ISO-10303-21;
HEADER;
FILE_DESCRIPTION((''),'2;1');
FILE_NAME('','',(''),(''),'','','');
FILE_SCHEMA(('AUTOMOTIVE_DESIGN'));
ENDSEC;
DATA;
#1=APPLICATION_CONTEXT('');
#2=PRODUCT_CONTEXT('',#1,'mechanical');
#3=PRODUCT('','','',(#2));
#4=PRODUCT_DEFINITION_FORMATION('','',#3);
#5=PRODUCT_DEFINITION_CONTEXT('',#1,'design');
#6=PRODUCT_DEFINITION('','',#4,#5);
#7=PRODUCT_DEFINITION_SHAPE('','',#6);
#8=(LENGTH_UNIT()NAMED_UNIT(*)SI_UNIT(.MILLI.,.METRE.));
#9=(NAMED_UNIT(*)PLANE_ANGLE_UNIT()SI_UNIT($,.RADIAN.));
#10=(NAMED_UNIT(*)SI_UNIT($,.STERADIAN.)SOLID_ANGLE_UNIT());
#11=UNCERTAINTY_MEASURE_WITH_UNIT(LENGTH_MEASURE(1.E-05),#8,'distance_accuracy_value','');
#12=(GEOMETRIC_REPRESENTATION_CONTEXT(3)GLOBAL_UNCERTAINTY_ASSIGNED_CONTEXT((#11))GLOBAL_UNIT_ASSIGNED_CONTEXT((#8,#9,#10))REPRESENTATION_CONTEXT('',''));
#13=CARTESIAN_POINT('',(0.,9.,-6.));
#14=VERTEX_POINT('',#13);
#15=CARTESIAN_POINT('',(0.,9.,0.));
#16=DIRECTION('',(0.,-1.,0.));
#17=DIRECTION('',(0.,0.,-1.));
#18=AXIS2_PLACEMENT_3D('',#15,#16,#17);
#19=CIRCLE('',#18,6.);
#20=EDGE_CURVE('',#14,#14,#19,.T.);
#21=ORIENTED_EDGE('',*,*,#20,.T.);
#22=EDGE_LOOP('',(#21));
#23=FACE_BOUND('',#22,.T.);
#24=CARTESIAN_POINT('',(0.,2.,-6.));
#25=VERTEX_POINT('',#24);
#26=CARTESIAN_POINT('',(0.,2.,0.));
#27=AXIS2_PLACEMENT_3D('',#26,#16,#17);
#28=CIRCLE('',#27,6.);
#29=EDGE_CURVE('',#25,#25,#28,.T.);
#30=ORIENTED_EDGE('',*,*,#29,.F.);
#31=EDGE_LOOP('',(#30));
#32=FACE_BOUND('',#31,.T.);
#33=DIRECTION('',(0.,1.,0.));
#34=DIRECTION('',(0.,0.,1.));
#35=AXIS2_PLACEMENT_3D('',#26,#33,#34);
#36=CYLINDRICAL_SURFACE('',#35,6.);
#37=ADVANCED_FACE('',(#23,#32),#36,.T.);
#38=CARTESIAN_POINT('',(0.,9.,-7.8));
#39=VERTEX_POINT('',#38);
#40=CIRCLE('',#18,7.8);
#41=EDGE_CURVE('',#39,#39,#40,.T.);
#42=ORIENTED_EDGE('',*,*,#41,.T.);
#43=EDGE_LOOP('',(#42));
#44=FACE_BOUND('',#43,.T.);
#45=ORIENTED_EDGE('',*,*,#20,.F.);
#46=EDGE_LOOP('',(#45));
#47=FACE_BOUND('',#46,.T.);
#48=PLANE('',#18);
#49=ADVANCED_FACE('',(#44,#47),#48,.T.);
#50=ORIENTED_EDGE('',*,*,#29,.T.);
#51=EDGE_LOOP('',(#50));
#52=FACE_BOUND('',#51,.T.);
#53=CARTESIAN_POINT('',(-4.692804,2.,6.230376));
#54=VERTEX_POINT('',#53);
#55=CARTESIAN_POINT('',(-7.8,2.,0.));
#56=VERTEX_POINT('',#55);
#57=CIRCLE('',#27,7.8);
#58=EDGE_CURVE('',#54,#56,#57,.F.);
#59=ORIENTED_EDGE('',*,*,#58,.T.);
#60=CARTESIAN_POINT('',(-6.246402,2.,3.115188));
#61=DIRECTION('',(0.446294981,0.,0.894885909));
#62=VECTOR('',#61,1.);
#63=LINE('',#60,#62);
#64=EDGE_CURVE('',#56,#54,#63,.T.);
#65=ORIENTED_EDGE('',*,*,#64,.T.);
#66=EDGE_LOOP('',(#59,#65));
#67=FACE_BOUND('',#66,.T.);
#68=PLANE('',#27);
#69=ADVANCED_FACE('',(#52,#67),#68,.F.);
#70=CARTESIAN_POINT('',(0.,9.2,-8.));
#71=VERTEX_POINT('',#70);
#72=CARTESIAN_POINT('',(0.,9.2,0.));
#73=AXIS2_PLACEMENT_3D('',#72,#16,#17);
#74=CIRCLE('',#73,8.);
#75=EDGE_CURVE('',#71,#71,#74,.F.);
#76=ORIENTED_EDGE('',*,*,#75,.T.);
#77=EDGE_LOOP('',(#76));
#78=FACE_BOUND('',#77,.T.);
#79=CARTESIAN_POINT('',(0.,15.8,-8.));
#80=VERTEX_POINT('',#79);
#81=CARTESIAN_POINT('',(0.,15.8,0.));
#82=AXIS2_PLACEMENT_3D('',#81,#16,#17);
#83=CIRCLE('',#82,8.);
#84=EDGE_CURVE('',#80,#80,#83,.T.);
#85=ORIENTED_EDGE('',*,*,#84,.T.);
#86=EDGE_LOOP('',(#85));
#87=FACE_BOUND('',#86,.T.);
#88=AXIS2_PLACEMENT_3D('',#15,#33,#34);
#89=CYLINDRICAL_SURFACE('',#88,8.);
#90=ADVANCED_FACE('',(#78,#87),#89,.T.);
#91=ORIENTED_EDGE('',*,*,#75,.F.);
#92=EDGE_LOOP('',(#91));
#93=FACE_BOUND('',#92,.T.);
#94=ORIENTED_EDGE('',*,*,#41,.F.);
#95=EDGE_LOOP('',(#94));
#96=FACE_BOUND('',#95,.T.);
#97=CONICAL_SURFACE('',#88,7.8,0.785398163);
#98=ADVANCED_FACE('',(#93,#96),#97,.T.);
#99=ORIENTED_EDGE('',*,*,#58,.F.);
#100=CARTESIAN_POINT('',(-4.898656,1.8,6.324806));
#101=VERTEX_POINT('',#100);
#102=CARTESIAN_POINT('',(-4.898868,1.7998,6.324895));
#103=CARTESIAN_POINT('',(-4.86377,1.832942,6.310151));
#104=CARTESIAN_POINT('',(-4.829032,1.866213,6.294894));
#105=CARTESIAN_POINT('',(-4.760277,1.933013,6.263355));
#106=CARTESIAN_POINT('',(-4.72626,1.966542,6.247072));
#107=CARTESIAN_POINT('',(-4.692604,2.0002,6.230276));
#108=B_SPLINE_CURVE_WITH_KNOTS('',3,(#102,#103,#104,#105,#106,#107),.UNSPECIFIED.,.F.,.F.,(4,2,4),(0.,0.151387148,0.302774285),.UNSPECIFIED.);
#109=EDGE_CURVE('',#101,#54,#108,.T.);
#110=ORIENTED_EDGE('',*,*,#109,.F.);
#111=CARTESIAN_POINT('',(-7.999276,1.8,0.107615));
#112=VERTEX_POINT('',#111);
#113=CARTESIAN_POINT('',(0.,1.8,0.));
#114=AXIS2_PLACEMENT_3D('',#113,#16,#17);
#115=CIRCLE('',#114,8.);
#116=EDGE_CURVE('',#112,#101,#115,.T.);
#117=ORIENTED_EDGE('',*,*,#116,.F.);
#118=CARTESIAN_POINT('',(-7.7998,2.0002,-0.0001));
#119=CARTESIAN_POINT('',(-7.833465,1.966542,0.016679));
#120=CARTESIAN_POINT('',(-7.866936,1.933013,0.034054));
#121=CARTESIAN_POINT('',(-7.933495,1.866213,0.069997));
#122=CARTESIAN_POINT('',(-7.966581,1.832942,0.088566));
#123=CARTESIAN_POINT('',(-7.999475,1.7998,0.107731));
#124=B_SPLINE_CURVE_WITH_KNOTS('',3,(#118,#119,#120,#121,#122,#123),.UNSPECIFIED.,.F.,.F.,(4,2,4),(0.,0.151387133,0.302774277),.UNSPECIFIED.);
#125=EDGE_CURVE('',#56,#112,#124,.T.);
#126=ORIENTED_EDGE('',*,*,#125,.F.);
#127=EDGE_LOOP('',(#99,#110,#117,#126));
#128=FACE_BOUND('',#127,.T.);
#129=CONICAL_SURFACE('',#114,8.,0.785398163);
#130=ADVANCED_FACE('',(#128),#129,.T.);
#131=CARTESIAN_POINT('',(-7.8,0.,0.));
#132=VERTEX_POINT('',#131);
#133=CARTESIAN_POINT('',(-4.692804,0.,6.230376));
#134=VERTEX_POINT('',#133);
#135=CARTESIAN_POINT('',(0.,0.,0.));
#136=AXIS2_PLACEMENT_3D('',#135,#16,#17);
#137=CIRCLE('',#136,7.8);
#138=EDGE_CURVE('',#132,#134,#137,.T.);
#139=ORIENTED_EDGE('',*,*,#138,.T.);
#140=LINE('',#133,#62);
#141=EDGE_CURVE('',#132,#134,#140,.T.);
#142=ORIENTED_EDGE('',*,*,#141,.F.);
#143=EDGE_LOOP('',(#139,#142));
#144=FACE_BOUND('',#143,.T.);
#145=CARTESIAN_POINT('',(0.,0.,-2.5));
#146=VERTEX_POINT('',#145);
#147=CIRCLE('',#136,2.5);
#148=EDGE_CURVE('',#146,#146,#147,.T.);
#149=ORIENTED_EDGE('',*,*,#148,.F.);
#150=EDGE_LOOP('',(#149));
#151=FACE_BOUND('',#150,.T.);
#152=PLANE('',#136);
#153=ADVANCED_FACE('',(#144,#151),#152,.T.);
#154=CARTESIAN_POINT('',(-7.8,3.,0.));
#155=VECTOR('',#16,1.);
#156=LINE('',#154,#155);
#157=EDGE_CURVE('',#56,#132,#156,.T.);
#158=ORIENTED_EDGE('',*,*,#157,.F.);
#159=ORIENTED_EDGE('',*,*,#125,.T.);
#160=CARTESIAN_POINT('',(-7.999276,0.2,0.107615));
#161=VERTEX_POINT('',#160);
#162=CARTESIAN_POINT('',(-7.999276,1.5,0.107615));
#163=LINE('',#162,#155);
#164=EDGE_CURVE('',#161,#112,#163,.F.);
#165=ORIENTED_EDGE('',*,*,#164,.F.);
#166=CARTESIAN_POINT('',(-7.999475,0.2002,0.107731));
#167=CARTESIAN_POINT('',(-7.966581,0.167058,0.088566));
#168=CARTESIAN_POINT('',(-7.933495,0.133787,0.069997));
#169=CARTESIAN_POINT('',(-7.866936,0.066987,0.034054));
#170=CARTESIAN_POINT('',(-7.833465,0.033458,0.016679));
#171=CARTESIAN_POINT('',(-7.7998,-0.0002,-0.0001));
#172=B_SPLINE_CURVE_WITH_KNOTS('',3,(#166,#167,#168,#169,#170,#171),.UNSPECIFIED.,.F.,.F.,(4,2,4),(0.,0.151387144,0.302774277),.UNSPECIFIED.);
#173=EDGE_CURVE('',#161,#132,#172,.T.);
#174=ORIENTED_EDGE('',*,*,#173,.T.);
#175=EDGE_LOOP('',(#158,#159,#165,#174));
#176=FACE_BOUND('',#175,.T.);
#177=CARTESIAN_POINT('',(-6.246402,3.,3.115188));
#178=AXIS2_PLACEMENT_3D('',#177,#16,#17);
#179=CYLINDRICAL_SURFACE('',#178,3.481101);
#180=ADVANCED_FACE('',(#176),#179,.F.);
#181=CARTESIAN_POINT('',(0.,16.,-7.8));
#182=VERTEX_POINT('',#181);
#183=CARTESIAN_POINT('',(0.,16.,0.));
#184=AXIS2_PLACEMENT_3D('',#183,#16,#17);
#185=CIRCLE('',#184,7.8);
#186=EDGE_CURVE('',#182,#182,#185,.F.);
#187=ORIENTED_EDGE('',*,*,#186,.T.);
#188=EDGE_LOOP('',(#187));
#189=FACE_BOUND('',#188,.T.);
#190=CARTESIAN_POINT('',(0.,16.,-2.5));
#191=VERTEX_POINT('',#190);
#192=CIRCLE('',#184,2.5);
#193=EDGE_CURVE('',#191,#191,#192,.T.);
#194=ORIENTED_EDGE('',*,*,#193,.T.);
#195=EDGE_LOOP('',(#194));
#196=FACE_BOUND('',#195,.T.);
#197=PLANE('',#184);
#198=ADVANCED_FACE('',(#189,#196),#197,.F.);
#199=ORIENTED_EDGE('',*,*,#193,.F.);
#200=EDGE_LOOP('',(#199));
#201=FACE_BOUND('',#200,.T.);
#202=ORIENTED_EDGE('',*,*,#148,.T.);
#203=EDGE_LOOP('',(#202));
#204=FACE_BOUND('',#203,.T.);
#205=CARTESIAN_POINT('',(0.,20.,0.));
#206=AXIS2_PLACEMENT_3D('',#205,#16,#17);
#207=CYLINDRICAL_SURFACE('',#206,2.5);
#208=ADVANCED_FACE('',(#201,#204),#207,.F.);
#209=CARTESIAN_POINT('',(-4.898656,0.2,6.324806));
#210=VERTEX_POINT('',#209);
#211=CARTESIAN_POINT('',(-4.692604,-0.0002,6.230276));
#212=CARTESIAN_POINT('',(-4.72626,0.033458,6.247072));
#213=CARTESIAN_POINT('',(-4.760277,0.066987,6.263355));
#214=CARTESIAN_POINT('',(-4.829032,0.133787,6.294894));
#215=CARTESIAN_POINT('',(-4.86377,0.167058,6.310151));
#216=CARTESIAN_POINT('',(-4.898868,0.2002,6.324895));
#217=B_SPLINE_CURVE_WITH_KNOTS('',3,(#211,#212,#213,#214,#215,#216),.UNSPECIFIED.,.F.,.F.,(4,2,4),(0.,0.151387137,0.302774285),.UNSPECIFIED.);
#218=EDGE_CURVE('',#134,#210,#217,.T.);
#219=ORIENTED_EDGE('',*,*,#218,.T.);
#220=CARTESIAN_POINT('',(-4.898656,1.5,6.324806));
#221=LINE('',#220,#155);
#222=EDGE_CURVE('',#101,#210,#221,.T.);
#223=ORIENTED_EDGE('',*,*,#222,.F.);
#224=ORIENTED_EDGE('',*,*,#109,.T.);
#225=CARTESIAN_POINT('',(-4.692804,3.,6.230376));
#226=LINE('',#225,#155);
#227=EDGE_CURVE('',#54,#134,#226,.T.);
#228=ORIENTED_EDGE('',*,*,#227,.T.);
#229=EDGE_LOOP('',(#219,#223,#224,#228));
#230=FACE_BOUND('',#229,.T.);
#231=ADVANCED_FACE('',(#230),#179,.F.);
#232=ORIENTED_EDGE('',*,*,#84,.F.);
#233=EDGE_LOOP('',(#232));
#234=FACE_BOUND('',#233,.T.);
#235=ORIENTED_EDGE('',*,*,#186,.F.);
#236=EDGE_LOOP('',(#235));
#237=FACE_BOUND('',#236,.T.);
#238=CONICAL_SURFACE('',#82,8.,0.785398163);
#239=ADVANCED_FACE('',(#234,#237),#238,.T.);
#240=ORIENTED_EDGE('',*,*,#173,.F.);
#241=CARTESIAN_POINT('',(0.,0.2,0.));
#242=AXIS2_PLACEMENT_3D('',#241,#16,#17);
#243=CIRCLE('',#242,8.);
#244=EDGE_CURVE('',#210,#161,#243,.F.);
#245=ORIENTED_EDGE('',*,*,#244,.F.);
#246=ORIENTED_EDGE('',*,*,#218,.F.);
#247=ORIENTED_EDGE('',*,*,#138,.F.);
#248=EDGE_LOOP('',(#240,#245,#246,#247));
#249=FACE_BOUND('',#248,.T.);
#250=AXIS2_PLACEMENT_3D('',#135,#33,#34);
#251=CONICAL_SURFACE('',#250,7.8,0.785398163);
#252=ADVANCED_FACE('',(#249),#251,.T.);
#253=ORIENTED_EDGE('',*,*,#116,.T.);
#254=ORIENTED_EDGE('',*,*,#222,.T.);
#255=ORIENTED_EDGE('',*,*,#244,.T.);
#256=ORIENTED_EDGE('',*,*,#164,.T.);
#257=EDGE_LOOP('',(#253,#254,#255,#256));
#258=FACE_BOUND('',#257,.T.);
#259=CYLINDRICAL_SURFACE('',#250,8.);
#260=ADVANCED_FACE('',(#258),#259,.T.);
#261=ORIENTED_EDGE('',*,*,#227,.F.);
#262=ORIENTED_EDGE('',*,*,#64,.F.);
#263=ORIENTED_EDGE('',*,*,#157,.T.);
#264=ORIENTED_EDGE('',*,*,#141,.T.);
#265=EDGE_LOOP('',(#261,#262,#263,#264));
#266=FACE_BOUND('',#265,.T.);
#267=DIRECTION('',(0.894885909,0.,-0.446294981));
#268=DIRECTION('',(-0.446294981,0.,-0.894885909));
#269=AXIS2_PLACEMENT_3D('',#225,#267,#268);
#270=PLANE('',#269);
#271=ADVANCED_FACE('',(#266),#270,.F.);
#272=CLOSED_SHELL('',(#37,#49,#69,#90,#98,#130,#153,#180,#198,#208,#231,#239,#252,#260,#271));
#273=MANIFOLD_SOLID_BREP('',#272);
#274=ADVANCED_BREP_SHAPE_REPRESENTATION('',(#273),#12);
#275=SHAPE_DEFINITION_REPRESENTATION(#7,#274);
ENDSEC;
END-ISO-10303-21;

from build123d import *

# Parameters (mm, degrees)
SKETCH1_R             = 8
BOSS_EXTRUDE1_DEPTH   = 7
SKETCH2_R             = 6
BOSS_EXTRUDE2_DEPTH   = 7
SKETCH3_R             = 8
BOSS_EXTRUDE3_DEPTH   = 2
CHAMFER1_SIZE         = 0.2
SKETCH4_R             = 2.5
CUT_EXTRUDE1_DEPTH    = 20
BODY_MOVE_COPY1_ANGLE = 180
CUT_EXTRUDE2_DEPTH    = 3


with BuildPart() as part:
    # Sketch1 → Boss-Extrude1 (new body)
    with BuildSketch(Plane(origin=(0, 0, 0), x_dir=(1, 0, 0), z_dir=(0, 1, 0))):
        with Locations(Location((0, 0, 0), (0, 0, 270))):
            Circle(SKETCH1_R)
    extrude(amount=BOSS_EXTRUDE1_DEPTH)

    # Sketch2 → Boss-Extrude2 (add)
    with BuildSketch(Plane(origin=(0, 7, 0), x_dir=(1, 0, 0), z_dir=(0, 1, 0))):
        with Locations(Location((0, 0, 0), (0, 0, 270))):
            Circle(SKETCH2_R)
    extrude(amount=BOSS_EXTRUDE2_DEPTH)

    # Sketch3 → Boss-Extrude3 (add)
    with BuildSketch(Plane(origin=(0, 14, 0), x_dir=(1, 0, 0), z_dir=(0, 1, 0))):
        with Locations(Location((0, 0, 0), (0, 0, 270))):
            Circle(SKETCH3_R)
    extrude(amount=BOSS_EXTRUDE3_DEPTH)

    # Chamfer1
    chamfer1_edges = [part.edges().sort_by_distance(p)[0] for p in [
        (0, 0, -8),
        (0, 7, -8),
        (0, 14, -8),
        (0, 16, -8),
    ]]
    chamfer(chamfer1_edges, length=CHAMFER1_SIZE)

    # Sketch4 → Cut-Extrude1 (cut)
    with BuildSketch(Plane(origin=(0, 16, 0), x_dir=(1, 0, 0), z_dir=(0, 1, 0))):
        with Locations(Location((0, 0, 0), (0, 0, 270))):
            Circle(SKETCH4_R)
    extrude(amount=-CUT_EXTRUDE1_DEPTH, mode=Mode.SUBTRACT)


with BuildPart() as part_1:
    # Body-Move/Copy1: moved
    add(part.part.moved(Location((0, 0, 0))).rotate(Axis((0, 8, 0), (1, 0, 0)), BODY_MOVE_COPY1_ANGLE))

    # Sketch5 → Cut-Extrude2 (cut)
    with BuildSketch(Plane.XZ):
        with BuildLine():
            Line((-4.692804326, 6.230376197), (-7.8, 0))
            ThreePointArc((-7.8, 0), (-9.361590262, 4.668785935), (-4.692804326, 6.230376197))
        make_face()
    extrude(amount=-CUT_EXTRUDE2_DEPTH, mode=Mode.SUBTRACT)


solid = part_1.part
